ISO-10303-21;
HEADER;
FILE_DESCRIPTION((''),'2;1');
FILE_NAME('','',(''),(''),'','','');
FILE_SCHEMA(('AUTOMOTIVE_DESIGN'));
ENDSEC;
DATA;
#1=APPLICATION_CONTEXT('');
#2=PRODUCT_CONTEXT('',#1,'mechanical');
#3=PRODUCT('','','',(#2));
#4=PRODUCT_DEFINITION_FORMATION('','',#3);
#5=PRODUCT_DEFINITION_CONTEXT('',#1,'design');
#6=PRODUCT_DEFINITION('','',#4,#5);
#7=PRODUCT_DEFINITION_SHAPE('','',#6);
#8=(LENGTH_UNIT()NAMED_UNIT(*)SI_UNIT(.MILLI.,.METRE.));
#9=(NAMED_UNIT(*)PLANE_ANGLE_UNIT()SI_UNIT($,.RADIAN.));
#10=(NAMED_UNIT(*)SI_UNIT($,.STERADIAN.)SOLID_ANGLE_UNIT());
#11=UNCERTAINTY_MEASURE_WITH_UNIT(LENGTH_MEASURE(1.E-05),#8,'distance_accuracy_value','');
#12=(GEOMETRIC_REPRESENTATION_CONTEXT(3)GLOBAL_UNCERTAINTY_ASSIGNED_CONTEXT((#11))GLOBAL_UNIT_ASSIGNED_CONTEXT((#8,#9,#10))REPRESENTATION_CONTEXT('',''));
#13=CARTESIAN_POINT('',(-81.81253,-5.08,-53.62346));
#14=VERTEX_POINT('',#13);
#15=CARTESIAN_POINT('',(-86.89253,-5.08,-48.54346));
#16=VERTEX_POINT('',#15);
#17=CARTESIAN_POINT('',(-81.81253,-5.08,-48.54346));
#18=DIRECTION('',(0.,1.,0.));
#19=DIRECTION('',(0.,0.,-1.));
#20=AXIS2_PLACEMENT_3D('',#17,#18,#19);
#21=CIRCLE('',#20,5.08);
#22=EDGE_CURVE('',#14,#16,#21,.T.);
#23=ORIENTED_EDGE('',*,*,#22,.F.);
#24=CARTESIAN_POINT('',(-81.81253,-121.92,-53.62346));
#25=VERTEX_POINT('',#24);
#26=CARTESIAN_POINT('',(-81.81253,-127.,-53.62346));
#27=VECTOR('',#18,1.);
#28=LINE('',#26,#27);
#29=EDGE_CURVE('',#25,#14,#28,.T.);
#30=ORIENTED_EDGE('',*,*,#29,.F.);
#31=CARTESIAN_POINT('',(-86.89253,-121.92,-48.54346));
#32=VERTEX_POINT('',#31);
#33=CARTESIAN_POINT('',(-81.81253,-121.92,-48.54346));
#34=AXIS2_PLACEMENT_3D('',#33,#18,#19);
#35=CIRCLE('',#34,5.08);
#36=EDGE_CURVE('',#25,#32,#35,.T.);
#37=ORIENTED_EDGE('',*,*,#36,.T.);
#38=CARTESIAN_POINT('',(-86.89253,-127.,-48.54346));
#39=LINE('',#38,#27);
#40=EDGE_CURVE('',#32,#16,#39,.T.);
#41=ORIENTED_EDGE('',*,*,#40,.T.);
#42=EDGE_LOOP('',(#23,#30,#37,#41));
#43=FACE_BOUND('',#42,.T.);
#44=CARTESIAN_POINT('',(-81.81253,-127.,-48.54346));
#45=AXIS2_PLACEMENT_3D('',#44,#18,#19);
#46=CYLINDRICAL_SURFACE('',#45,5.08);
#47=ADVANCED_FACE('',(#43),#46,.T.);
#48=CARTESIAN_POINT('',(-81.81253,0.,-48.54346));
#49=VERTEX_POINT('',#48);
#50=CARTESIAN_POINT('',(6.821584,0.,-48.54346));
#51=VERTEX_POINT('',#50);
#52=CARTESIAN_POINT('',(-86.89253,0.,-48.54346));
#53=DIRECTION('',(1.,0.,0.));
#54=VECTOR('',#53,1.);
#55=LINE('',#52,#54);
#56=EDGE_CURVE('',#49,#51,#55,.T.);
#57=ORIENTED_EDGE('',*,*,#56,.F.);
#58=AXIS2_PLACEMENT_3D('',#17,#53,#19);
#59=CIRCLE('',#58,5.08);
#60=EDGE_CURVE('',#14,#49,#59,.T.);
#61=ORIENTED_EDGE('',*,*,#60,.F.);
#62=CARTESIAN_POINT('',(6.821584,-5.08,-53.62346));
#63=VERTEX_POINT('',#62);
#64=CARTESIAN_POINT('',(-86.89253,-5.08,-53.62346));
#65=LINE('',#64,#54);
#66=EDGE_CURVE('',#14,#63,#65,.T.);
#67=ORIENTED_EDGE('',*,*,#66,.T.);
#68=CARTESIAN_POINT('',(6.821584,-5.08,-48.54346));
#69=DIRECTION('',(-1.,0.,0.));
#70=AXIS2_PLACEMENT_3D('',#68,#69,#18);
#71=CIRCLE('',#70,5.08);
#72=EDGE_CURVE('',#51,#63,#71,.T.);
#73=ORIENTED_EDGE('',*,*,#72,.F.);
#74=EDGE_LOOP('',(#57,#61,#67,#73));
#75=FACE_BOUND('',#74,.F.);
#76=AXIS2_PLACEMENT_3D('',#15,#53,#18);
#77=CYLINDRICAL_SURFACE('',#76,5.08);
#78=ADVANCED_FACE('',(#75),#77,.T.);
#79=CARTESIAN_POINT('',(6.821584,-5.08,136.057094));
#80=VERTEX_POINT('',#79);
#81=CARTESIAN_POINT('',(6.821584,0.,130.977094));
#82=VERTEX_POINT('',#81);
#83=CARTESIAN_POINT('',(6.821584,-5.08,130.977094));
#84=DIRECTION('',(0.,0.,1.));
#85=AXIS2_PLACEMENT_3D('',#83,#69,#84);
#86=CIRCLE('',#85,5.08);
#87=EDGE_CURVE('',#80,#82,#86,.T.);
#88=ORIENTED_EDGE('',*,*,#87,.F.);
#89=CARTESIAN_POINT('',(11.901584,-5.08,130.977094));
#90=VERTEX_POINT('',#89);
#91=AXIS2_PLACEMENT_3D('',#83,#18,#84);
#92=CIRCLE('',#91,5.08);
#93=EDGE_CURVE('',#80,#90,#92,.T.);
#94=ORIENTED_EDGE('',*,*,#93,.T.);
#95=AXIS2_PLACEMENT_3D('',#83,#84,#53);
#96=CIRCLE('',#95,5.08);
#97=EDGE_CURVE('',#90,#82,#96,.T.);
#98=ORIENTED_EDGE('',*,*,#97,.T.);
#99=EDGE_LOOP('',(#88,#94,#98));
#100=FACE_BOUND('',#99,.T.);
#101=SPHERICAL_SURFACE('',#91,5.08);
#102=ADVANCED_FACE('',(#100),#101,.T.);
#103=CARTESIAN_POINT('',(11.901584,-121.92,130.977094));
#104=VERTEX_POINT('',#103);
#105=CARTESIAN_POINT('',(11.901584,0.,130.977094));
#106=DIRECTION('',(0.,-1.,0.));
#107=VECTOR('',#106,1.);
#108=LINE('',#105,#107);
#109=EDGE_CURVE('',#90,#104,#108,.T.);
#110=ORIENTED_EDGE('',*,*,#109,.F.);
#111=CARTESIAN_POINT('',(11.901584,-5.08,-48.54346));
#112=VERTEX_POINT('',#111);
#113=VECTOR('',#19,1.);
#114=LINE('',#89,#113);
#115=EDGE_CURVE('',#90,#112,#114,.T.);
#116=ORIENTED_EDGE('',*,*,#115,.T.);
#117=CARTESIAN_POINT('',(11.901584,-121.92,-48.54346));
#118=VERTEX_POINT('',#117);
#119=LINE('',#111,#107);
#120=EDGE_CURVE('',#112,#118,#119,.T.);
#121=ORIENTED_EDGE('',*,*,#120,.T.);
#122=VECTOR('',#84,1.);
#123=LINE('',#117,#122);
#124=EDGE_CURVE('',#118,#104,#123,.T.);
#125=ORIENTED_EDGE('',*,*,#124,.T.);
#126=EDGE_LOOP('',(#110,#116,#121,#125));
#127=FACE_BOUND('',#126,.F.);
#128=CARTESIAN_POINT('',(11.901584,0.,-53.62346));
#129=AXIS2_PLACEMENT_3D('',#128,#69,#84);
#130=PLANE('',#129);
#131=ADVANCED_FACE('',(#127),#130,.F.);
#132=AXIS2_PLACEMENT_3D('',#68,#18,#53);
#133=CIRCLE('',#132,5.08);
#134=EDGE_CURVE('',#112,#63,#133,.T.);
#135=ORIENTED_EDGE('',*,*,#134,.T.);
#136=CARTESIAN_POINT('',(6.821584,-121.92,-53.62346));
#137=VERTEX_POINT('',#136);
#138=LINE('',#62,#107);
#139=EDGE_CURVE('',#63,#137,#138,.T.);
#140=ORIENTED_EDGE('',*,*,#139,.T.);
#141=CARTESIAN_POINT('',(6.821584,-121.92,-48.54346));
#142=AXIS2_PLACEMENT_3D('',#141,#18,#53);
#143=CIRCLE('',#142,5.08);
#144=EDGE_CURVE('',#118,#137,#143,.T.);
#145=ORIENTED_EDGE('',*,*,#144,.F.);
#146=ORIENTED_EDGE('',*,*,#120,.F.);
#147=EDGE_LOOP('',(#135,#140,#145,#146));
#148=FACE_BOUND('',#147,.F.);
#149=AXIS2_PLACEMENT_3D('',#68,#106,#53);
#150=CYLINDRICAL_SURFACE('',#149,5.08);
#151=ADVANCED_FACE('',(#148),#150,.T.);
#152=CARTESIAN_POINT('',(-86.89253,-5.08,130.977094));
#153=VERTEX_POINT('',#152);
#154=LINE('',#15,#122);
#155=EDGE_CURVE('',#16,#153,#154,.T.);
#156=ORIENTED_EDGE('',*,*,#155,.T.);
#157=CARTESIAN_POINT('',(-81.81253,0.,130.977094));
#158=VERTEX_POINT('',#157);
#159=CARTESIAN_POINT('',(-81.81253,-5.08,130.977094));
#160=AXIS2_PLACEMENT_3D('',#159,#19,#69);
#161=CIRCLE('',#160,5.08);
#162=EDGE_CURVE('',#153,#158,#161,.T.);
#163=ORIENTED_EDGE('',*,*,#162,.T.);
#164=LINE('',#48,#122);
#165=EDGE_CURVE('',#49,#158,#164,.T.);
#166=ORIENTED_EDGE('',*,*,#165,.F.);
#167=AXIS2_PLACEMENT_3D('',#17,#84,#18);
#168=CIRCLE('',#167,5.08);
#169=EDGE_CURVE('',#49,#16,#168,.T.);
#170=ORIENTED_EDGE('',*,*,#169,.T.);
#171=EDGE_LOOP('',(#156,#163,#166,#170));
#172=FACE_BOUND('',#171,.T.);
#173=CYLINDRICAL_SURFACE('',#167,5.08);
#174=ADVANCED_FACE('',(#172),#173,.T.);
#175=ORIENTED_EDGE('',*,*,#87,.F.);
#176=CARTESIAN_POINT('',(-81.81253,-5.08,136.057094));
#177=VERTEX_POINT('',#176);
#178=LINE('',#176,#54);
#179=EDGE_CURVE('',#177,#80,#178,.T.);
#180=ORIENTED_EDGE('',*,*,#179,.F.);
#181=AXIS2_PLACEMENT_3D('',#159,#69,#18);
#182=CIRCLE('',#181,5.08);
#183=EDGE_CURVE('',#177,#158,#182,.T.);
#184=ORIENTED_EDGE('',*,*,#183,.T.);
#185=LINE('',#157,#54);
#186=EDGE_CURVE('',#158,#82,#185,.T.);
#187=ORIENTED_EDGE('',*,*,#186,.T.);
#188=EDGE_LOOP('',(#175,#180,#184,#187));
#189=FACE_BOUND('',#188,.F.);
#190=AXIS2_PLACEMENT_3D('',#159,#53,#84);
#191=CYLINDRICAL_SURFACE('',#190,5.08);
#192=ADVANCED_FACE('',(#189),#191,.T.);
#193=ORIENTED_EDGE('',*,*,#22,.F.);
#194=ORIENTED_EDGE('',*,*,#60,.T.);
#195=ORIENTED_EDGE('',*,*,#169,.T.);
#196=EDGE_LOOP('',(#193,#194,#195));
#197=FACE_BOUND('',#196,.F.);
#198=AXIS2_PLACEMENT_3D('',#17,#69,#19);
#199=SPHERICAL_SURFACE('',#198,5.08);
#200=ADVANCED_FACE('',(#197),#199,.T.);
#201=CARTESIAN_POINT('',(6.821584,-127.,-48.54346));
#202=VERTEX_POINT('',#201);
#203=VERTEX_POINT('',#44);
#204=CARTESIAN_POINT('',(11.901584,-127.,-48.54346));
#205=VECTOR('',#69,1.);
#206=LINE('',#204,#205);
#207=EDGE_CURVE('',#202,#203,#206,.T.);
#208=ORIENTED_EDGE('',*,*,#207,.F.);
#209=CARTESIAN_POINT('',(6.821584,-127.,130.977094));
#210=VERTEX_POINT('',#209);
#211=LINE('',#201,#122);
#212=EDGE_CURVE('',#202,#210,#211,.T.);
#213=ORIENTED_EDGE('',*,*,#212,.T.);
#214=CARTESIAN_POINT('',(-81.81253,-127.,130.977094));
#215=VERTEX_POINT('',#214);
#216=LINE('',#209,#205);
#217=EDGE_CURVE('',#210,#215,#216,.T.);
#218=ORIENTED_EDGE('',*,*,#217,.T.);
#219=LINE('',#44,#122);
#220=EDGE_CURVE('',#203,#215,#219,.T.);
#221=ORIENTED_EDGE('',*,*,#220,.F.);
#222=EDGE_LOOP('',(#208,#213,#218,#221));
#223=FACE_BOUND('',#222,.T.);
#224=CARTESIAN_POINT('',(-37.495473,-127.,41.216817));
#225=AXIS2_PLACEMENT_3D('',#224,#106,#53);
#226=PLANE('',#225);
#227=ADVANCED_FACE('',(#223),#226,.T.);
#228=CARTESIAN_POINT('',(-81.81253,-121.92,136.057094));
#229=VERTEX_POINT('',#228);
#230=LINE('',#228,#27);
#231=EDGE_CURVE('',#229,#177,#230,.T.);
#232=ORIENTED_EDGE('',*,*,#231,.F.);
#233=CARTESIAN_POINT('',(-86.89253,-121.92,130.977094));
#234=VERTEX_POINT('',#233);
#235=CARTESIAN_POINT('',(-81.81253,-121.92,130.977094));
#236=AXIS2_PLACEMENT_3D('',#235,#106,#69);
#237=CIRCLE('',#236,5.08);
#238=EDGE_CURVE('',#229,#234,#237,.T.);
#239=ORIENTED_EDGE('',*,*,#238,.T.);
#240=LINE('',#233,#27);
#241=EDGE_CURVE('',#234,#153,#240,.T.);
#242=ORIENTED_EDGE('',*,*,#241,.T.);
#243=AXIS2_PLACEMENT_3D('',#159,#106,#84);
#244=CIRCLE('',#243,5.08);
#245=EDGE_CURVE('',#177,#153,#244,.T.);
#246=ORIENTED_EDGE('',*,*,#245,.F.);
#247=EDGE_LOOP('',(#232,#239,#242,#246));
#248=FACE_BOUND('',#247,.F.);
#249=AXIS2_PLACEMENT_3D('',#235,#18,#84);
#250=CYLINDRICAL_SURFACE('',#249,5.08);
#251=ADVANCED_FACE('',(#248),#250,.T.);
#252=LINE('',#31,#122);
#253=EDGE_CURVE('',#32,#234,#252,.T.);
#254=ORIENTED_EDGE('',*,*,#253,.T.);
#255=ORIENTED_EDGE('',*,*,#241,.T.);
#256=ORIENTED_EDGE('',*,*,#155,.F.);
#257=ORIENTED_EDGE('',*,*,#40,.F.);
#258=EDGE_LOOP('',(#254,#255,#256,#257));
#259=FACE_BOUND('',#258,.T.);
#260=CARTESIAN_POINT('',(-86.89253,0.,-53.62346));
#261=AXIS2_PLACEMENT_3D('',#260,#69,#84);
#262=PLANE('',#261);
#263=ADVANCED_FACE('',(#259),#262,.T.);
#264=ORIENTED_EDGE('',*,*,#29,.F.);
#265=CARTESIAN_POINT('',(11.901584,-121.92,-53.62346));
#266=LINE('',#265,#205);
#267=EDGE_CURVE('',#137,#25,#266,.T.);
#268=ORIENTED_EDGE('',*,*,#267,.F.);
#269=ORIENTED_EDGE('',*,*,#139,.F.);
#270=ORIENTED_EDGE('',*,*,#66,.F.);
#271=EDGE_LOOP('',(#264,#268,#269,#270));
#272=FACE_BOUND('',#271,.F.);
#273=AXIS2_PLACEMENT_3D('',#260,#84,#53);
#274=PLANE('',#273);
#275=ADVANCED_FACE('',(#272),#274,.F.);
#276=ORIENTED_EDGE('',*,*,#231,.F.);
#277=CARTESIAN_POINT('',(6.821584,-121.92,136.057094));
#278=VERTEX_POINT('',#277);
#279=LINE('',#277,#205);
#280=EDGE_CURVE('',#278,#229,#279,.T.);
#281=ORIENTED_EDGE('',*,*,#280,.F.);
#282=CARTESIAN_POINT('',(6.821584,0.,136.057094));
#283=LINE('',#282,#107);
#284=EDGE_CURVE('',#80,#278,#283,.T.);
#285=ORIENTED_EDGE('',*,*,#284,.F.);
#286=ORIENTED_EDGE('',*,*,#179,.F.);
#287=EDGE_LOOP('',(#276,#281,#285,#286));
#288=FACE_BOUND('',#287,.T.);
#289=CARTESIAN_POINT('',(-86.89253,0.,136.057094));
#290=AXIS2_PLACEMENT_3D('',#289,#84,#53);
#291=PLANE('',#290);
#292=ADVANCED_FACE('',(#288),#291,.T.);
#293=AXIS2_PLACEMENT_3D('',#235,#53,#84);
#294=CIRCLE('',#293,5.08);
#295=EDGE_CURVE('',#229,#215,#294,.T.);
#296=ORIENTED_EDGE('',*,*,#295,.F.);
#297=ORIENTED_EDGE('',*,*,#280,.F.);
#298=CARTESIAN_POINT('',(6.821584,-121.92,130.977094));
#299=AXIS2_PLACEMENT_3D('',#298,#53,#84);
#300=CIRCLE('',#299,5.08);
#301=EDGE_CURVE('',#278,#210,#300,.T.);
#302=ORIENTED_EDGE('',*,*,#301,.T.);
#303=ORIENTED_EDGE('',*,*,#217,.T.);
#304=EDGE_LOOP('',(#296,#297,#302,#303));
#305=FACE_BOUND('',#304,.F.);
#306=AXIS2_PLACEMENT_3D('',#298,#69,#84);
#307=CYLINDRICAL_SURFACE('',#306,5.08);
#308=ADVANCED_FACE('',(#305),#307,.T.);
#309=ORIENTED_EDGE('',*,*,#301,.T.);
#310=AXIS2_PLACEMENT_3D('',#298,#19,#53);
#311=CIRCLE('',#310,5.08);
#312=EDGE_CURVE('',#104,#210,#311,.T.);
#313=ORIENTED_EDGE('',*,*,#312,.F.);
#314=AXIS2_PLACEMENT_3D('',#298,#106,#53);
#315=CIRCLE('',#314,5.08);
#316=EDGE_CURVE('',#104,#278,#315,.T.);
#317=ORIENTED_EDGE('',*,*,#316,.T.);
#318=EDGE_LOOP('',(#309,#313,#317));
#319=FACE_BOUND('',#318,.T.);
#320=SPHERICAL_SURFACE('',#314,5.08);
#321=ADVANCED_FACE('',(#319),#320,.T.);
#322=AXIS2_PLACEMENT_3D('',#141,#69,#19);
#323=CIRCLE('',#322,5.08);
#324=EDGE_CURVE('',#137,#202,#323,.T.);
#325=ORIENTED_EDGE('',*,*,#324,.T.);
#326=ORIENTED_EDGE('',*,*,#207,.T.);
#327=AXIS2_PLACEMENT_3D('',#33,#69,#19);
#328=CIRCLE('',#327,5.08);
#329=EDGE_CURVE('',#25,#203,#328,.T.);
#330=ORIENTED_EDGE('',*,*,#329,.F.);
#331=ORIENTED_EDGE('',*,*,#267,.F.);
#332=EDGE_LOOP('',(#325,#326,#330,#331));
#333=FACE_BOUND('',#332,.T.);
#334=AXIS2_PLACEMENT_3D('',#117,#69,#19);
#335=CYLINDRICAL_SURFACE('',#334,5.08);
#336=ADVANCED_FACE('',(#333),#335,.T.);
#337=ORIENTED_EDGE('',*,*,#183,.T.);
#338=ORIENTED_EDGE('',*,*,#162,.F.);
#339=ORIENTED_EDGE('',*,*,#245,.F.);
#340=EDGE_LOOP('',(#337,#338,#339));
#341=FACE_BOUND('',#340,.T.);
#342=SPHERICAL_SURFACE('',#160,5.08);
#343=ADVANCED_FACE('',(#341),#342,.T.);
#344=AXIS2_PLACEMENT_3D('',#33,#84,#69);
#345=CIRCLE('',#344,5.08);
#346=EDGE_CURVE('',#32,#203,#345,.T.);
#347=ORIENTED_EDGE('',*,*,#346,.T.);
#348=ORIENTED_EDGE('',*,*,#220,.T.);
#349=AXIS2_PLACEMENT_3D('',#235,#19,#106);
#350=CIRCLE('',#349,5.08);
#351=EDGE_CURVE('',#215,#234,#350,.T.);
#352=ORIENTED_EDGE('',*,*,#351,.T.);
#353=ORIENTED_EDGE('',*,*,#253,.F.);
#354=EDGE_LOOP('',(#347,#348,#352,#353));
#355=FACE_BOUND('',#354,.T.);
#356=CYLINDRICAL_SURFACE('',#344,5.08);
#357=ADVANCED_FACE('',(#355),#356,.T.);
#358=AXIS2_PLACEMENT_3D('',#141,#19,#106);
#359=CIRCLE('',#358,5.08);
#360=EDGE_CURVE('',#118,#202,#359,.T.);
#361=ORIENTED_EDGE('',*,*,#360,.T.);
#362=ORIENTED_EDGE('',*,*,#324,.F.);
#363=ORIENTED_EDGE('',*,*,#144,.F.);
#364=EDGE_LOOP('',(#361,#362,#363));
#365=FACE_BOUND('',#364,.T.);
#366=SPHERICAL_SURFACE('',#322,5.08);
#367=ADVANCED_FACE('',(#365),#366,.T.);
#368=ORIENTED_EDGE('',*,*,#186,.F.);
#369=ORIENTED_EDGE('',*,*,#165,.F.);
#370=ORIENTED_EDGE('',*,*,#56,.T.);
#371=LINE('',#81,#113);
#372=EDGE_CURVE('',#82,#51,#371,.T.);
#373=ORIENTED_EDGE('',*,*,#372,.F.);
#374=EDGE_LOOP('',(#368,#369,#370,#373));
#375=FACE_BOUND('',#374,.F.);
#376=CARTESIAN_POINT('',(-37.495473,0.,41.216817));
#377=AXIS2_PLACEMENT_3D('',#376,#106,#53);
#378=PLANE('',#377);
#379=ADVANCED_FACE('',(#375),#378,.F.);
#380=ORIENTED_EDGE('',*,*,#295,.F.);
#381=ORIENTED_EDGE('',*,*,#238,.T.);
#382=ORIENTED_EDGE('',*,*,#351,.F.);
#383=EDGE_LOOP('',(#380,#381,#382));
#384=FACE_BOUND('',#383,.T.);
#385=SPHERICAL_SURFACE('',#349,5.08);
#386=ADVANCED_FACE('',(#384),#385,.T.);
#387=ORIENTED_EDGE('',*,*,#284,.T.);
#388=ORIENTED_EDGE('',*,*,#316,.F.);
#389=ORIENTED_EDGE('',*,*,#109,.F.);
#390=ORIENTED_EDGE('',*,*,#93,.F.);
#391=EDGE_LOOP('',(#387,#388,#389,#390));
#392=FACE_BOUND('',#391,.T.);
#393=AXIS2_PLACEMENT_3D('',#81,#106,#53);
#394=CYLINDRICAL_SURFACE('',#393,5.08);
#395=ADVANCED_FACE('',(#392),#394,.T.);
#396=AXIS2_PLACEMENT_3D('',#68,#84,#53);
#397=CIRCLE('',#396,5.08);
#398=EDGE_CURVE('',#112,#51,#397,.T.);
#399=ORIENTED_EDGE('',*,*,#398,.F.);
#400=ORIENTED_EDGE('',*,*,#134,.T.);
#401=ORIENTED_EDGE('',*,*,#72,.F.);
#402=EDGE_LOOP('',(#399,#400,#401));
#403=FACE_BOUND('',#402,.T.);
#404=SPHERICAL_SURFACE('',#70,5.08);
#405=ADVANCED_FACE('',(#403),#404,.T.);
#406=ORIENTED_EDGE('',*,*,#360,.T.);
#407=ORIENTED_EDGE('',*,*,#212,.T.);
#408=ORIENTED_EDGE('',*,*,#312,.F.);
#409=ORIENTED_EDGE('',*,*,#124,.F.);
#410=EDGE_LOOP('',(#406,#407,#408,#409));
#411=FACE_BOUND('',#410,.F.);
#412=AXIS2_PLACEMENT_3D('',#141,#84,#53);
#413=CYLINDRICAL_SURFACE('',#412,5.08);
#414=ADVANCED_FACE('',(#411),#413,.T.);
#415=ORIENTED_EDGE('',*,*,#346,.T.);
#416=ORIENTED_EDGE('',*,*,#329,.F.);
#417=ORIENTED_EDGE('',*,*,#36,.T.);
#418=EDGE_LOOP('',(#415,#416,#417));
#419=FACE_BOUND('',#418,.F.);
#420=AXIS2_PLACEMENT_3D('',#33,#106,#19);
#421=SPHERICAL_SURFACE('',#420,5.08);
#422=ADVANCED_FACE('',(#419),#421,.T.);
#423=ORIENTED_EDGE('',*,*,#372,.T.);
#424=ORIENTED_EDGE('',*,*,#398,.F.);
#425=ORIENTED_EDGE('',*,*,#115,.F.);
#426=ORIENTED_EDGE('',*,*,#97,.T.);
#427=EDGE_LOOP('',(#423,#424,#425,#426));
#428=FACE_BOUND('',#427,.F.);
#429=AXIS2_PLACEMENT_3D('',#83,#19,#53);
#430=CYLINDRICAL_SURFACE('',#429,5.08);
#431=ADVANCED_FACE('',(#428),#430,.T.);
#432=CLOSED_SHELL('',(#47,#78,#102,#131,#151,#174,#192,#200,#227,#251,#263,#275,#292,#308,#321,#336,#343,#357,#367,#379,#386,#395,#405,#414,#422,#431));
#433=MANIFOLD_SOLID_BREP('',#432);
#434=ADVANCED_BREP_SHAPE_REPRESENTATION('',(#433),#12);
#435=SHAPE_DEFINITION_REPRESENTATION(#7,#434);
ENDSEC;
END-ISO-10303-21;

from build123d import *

# Parameters (mm, degrees)
F0_W     = 98.794114
F0_H     = 189.680554
F1_DEPTH = 127
F2_R     = 5.08
F3_R     = 5.08
F4_R     = 5.08
F5_R     = 5.08
F6_R     = 5.08


with BuildPart() as f1:
    # F0 (on Front) → F1 (new body)
    with BuildSketch(Plane.XZ):
        with Locations((-37.495473, 41.216817)):
            Rectangle(F0_W, F0_H)
    extrude(amount=F1_DEPTH)

    # F2
    f2_edges = [f1.edges().sort_by_distance(p)[0] for p in [
        (11.901584, -63.5, 136.057094),
    ]]
    fillet(f2_edges, radius=F2_R)

    # F3
    f3_edges = [f1.edges().sort_by_distance(p)[0] for p in [
        (-37.495473, 0, -53.62346),
    ]]
    fillet(f3_edges, radius=F3_R)

    # F4
    f4_edges = [f1.edges().sort_by_distance(p)[0] for p in [
        (-86.89253, 0, 43.756817),
    ]]
    fillet(f4_edges, radius=F4_R)

    # F5
    f5_edges = [f1.edges().sort_by_distance(p)[0] for p in [
        (-86.89253, -127, 43.756817),
    ]]
    fillet(f5_edges, radius=F5_R)

    # F6
    f6_edges = [f1.edges().sort_by_distance(p)[0] for p in [
        (11.901584, -63.5, -53.62346),
    ]]
    fillet(f6_edges, radius=F6_R)


solid = f1.part
